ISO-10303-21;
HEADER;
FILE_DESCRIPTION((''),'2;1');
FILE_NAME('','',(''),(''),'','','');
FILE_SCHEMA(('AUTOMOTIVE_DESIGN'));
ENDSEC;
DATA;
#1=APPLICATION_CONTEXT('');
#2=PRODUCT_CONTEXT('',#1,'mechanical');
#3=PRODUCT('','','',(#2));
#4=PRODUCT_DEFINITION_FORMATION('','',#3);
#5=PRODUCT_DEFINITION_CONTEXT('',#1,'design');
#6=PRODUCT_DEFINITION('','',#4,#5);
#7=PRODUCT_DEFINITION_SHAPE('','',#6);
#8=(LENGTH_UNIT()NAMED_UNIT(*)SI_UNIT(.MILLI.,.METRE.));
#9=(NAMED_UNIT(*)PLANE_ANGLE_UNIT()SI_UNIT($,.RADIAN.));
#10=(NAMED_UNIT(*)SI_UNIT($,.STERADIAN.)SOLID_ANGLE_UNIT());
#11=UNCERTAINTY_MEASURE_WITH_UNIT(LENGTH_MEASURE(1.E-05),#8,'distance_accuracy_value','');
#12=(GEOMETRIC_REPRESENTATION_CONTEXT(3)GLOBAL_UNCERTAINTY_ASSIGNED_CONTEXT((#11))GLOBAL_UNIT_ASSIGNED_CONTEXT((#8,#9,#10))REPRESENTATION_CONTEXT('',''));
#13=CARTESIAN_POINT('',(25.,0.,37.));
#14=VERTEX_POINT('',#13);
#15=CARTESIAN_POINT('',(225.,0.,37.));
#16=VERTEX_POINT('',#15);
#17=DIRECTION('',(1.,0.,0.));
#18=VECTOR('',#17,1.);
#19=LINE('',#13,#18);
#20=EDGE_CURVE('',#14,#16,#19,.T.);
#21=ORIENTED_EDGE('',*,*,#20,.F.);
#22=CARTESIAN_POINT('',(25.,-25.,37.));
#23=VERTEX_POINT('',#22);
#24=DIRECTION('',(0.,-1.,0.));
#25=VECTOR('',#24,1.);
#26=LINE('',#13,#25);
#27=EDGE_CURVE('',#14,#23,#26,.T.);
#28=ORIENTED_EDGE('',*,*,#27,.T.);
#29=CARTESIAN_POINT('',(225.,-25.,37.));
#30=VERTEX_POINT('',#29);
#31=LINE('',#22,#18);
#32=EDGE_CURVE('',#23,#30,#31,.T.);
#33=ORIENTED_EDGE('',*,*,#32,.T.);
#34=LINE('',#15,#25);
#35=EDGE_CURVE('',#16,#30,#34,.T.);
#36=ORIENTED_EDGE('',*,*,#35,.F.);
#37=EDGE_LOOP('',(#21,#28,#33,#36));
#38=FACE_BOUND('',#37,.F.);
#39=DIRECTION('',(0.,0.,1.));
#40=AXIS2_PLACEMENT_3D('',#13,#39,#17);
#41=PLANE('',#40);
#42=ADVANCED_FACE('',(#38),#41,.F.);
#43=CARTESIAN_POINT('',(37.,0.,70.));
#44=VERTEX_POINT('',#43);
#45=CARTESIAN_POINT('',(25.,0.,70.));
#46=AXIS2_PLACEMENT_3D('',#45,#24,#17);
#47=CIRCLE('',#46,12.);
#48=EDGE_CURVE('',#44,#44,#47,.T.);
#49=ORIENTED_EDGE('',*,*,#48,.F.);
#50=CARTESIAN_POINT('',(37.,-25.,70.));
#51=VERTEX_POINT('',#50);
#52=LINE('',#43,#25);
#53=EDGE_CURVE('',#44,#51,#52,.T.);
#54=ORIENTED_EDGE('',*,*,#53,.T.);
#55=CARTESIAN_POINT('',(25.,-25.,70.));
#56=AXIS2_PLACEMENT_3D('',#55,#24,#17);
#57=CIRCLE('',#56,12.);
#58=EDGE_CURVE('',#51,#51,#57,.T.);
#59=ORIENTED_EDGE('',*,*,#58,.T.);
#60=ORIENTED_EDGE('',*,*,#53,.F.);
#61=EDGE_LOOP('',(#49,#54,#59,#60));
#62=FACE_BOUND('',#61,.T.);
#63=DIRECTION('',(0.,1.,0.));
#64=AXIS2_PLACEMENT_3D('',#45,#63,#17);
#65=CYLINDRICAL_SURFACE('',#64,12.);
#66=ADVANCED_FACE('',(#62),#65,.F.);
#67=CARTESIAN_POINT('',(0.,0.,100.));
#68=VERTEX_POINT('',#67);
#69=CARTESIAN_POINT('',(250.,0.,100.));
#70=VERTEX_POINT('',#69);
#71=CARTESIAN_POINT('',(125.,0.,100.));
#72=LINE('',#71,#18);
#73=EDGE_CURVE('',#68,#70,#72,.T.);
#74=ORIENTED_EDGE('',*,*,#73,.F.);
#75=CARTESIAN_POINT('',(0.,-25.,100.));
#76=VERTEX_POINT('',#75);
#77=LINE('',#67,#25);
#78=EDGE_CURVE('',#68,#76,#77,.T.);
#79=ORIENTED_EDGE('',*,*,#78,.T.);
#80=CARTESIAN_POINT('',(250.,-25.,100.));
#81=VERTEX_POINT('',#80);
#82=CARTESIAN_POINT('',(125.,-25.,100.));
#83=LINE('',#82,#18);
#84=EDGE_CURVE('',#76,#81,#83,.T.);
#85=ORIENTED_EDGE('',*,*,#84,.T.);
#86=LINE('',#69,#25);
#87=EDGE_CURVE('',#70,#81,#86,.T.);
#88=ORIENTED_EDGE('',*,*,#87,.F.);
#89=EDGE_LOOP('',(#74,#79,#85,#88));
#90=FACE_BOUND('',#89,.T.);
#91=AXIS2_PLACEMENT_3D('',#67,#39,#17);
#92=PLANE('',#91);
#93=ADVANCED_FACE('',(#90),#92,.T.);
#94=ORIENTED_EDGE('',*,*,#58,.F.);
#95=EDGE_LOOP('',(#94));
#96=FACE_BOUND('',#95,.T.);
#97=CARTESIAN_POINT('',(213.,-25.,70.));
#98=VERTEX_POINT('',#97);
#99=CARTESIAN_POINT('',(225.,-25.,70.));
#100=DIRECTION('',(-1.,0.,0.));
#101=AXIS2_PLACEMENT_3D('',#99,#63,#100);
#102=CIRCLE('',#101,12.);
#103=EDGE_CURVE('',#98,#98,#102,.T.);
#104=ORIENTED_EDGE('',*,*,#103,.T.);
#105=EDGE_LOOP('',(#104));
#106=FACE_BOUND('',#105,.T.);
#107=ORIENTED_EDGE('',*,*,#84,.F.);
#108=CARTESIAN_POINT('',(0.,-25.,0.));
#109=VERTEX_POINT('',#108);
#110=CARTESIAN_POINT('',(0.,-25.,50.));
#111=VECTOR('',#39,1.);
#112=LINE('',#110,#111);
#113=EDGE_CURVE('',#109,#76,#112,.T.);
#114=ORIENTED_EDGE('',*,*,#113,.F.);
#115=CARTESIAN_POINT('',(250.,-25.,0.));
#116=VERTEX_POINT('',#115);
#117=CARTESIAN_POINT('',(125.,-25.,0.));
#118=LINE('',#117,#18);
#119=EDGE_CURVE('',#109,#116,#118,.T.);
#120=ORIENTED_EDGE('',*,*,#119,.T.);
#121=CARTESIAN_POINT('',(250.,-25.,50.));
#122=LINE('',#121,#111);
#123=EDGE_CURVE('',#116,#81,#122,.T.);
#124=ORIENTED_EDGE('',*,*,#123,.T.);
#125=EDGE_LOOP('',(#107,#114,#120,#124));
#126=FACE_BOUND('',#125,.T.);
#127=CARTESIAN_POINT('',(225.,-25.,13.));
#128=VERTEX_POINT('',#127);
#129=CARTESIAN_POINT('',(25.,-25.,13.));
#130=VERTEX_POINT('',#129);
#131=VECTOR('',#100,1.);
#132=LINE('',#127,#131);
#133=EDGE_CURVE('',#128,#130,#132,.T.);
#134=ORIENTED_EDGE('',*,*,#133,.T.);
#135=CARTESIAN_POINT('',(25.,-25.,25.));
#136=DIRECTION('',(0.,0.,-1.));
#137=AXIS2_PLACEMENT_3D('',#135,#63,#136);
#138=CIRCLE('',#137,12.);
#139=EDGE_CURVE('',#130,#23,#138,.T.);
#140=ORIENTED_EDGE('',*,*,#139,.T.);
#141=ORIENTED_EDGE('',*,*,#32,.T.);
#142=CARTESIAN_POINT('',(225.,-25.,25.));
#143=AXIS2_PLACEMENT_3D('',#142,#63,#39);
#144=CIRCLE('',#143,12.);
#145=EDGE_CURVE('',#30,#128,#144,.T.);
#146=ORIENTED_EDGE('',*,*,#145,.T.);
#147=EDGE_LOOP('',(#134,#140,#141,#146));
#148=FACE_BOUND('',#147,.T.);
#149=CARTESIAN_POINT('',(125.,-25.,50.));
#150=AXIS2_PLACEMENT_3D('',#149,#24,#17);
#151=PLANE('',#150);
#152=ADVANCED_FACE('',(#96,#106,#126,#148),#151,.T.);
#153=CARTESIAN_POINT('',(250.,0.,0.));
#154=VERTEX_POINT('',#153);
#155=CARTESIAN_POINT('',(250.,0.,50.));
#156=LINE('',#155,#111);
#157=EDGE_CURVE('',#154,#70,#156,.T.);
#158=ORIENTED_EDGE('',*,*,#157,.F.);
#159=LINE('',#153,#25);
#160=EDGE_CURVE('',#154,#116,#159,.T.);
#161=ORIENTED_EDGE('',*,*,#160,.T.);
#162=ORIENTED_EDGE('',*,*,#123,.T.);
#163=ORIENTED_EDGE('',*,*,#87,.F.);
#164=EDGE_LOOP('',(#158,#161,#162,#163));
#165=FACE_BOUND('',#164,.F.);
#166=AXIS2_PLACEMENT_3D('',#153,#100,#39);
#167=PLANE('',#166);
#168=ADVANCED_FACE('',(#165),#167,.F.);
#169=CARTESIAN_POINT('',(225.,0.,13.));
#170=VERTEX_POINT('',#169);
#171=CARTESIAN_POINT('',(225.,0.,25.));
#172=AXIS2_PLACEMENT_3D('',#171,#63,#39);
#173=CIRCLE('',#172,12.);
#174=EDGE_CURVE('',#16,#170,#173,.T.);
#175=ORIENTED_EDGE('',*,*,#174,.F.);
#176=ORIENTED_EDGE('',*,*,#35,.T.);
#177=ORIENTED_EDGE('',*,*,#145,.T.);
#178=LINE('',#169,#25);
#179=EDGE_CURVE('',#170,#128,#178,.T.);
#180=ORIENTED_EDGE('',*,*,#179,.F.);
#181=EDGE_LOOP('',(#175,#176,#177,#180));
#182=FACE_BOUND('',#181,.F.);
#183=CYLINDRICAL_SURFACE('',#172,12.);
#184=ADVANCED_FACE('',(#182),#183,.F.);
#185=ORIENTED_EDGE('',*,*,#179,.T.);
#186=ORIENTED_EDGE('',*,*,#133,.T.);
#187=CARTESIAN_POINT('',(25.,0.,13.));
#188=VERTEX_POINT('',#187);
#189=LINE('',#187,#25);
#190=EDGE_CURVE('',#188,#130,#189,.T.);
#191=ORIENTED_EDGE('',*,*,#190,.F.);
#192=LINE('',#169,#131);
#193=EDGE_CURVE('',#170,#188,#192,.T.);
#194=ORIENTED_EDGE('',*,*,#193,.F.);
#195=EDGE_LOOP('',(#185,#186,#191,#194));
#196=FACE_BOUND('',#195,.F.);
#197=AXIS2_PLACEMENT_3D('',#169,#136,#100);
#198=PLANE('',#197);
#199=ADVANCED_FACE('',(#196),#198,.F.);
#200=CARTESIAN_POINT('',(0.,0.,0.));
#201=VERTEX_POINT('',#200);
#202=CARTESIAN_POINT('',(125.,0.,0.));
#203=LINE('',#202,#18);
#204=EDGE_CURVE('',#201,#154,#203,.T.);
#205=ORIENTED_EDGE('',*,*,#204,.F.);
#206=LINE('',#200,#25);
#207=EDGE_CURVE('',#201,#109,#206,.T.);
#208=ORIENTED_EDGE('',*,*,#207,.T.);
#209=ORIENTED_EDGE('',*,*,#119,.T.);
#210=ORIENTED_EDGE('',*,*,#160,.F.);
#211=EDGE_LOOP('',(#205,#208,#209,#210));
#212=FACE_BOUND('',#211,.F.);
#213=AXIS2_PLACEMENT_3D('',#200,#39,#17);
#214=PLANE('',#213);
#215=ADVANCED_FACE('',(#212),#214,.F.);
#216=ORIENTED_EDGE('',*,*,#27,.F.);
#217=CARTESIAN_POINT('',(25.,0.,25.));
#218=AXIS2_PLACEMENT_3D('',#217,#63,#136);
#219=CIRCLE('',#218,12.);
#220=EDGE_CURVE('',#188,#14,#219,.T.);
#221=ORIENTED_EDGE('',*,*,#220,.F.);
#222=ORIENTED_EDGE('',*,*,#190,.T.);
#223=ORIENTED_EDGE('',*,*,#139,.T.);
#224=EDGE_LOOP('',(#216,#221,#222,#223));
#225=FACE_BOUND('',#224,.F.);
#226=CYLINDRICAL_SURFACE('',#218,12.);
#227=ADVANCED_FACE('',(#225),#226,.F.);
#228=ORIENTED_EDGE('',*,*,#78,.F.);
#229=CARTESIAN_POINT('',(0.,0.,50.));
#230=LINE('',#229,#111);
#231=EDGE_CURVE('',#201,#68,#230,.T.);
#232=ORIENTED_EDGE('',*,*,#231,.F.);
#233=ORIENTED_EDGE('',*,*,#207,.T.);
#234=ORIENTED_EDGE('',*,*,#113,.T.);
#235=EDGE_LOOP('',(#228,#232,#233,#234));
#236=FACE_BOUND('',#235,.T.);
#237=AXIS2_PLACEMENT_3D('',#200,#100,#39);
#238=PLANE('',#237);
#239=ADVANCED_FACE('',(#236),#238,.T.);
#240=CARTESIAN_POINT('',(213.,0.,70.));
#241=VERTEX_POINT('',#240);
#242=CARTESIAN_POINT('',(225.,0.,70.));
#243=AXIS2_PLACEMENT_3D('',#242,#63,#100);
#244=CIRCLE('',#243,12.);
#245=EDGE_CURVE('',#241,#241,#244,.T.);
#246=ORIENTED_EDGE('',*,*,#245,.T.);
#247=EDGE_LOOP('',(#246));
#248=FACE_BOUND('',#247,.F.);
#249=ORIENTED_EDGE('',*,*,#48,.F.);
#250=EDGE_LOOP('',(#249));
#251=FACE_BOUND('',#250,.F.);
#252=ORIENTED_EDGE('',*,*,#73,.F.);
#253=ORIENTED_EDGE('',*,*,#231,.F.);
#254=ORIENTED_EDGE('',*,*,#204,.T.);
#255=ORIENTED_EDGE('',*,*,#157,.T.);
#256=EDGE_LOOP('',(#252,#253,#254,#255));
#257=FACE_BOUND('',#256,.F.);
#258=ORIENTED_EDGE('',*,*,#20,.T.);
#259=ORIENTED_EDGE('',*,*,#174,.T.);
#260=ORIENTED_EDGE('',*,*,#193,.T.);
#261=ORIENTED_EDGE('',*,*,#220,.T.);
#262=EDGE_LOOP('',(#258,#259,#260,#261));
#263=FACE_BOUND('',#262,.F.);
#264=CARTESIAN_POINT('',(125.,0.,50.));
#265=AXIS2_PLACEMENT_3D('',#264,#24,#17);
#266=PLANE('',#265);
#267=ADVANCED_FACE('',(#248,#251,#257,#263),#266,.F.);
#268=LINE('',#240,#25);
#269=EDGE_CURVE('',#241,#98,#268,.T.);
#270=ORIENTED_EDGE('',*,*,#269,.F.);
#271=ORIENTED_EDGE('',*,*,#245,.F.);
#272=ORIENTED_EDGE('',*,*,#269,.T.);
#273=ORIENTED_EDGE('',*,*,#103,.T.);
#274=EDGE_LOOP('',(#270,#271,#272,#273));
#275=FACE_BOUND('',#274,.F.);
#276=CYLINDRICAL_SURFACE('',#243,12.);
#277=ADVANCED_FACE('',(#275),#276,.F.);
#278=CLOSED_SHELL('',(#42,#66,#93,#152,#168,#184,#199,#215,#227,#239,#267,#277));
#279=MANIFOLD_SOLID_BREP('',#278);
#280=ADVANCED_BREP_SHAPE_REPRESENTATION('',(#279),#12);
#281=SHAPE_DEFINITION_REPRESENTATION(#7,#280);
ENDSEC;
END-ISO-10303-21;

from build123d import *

# Parameters (mm, degrees)
F0_W     = 250
F0_H     = 100
F0_R     = 12
F1_DEPTH = 25


with BuildPart() as f1:
    # F0 (on Front) → F1 (new body)
    with BuildSketch(Plane.XZ):
        with Locations((125, 50)):
            Rectangle(F0_W, F0_H)
        with BuildLine():
            ThreePointArc((225, 37), (237, 25), (225, 13))
            Line((225, 13), (25, 13))
            ThreePointArc((25, 13), (13, 25), (25, 37))
            Line((25, 37), (225, 37))
        make_face(mode=Mode.SUBTRACT)
        with Locations((25, 70)):
            Circle(F0_R, mode=Mode.SUBTRACT)
        with BuildLine():
            ThreePointArc((237, 70), (225, 58), (213, 70))
            ThreePointArc((213, 70), (225, 82), (237, 70))
        make_face(mode=Mode.SUBTRACT)
    extrude(amount=F1_DEPTH)


solid = f1.part
